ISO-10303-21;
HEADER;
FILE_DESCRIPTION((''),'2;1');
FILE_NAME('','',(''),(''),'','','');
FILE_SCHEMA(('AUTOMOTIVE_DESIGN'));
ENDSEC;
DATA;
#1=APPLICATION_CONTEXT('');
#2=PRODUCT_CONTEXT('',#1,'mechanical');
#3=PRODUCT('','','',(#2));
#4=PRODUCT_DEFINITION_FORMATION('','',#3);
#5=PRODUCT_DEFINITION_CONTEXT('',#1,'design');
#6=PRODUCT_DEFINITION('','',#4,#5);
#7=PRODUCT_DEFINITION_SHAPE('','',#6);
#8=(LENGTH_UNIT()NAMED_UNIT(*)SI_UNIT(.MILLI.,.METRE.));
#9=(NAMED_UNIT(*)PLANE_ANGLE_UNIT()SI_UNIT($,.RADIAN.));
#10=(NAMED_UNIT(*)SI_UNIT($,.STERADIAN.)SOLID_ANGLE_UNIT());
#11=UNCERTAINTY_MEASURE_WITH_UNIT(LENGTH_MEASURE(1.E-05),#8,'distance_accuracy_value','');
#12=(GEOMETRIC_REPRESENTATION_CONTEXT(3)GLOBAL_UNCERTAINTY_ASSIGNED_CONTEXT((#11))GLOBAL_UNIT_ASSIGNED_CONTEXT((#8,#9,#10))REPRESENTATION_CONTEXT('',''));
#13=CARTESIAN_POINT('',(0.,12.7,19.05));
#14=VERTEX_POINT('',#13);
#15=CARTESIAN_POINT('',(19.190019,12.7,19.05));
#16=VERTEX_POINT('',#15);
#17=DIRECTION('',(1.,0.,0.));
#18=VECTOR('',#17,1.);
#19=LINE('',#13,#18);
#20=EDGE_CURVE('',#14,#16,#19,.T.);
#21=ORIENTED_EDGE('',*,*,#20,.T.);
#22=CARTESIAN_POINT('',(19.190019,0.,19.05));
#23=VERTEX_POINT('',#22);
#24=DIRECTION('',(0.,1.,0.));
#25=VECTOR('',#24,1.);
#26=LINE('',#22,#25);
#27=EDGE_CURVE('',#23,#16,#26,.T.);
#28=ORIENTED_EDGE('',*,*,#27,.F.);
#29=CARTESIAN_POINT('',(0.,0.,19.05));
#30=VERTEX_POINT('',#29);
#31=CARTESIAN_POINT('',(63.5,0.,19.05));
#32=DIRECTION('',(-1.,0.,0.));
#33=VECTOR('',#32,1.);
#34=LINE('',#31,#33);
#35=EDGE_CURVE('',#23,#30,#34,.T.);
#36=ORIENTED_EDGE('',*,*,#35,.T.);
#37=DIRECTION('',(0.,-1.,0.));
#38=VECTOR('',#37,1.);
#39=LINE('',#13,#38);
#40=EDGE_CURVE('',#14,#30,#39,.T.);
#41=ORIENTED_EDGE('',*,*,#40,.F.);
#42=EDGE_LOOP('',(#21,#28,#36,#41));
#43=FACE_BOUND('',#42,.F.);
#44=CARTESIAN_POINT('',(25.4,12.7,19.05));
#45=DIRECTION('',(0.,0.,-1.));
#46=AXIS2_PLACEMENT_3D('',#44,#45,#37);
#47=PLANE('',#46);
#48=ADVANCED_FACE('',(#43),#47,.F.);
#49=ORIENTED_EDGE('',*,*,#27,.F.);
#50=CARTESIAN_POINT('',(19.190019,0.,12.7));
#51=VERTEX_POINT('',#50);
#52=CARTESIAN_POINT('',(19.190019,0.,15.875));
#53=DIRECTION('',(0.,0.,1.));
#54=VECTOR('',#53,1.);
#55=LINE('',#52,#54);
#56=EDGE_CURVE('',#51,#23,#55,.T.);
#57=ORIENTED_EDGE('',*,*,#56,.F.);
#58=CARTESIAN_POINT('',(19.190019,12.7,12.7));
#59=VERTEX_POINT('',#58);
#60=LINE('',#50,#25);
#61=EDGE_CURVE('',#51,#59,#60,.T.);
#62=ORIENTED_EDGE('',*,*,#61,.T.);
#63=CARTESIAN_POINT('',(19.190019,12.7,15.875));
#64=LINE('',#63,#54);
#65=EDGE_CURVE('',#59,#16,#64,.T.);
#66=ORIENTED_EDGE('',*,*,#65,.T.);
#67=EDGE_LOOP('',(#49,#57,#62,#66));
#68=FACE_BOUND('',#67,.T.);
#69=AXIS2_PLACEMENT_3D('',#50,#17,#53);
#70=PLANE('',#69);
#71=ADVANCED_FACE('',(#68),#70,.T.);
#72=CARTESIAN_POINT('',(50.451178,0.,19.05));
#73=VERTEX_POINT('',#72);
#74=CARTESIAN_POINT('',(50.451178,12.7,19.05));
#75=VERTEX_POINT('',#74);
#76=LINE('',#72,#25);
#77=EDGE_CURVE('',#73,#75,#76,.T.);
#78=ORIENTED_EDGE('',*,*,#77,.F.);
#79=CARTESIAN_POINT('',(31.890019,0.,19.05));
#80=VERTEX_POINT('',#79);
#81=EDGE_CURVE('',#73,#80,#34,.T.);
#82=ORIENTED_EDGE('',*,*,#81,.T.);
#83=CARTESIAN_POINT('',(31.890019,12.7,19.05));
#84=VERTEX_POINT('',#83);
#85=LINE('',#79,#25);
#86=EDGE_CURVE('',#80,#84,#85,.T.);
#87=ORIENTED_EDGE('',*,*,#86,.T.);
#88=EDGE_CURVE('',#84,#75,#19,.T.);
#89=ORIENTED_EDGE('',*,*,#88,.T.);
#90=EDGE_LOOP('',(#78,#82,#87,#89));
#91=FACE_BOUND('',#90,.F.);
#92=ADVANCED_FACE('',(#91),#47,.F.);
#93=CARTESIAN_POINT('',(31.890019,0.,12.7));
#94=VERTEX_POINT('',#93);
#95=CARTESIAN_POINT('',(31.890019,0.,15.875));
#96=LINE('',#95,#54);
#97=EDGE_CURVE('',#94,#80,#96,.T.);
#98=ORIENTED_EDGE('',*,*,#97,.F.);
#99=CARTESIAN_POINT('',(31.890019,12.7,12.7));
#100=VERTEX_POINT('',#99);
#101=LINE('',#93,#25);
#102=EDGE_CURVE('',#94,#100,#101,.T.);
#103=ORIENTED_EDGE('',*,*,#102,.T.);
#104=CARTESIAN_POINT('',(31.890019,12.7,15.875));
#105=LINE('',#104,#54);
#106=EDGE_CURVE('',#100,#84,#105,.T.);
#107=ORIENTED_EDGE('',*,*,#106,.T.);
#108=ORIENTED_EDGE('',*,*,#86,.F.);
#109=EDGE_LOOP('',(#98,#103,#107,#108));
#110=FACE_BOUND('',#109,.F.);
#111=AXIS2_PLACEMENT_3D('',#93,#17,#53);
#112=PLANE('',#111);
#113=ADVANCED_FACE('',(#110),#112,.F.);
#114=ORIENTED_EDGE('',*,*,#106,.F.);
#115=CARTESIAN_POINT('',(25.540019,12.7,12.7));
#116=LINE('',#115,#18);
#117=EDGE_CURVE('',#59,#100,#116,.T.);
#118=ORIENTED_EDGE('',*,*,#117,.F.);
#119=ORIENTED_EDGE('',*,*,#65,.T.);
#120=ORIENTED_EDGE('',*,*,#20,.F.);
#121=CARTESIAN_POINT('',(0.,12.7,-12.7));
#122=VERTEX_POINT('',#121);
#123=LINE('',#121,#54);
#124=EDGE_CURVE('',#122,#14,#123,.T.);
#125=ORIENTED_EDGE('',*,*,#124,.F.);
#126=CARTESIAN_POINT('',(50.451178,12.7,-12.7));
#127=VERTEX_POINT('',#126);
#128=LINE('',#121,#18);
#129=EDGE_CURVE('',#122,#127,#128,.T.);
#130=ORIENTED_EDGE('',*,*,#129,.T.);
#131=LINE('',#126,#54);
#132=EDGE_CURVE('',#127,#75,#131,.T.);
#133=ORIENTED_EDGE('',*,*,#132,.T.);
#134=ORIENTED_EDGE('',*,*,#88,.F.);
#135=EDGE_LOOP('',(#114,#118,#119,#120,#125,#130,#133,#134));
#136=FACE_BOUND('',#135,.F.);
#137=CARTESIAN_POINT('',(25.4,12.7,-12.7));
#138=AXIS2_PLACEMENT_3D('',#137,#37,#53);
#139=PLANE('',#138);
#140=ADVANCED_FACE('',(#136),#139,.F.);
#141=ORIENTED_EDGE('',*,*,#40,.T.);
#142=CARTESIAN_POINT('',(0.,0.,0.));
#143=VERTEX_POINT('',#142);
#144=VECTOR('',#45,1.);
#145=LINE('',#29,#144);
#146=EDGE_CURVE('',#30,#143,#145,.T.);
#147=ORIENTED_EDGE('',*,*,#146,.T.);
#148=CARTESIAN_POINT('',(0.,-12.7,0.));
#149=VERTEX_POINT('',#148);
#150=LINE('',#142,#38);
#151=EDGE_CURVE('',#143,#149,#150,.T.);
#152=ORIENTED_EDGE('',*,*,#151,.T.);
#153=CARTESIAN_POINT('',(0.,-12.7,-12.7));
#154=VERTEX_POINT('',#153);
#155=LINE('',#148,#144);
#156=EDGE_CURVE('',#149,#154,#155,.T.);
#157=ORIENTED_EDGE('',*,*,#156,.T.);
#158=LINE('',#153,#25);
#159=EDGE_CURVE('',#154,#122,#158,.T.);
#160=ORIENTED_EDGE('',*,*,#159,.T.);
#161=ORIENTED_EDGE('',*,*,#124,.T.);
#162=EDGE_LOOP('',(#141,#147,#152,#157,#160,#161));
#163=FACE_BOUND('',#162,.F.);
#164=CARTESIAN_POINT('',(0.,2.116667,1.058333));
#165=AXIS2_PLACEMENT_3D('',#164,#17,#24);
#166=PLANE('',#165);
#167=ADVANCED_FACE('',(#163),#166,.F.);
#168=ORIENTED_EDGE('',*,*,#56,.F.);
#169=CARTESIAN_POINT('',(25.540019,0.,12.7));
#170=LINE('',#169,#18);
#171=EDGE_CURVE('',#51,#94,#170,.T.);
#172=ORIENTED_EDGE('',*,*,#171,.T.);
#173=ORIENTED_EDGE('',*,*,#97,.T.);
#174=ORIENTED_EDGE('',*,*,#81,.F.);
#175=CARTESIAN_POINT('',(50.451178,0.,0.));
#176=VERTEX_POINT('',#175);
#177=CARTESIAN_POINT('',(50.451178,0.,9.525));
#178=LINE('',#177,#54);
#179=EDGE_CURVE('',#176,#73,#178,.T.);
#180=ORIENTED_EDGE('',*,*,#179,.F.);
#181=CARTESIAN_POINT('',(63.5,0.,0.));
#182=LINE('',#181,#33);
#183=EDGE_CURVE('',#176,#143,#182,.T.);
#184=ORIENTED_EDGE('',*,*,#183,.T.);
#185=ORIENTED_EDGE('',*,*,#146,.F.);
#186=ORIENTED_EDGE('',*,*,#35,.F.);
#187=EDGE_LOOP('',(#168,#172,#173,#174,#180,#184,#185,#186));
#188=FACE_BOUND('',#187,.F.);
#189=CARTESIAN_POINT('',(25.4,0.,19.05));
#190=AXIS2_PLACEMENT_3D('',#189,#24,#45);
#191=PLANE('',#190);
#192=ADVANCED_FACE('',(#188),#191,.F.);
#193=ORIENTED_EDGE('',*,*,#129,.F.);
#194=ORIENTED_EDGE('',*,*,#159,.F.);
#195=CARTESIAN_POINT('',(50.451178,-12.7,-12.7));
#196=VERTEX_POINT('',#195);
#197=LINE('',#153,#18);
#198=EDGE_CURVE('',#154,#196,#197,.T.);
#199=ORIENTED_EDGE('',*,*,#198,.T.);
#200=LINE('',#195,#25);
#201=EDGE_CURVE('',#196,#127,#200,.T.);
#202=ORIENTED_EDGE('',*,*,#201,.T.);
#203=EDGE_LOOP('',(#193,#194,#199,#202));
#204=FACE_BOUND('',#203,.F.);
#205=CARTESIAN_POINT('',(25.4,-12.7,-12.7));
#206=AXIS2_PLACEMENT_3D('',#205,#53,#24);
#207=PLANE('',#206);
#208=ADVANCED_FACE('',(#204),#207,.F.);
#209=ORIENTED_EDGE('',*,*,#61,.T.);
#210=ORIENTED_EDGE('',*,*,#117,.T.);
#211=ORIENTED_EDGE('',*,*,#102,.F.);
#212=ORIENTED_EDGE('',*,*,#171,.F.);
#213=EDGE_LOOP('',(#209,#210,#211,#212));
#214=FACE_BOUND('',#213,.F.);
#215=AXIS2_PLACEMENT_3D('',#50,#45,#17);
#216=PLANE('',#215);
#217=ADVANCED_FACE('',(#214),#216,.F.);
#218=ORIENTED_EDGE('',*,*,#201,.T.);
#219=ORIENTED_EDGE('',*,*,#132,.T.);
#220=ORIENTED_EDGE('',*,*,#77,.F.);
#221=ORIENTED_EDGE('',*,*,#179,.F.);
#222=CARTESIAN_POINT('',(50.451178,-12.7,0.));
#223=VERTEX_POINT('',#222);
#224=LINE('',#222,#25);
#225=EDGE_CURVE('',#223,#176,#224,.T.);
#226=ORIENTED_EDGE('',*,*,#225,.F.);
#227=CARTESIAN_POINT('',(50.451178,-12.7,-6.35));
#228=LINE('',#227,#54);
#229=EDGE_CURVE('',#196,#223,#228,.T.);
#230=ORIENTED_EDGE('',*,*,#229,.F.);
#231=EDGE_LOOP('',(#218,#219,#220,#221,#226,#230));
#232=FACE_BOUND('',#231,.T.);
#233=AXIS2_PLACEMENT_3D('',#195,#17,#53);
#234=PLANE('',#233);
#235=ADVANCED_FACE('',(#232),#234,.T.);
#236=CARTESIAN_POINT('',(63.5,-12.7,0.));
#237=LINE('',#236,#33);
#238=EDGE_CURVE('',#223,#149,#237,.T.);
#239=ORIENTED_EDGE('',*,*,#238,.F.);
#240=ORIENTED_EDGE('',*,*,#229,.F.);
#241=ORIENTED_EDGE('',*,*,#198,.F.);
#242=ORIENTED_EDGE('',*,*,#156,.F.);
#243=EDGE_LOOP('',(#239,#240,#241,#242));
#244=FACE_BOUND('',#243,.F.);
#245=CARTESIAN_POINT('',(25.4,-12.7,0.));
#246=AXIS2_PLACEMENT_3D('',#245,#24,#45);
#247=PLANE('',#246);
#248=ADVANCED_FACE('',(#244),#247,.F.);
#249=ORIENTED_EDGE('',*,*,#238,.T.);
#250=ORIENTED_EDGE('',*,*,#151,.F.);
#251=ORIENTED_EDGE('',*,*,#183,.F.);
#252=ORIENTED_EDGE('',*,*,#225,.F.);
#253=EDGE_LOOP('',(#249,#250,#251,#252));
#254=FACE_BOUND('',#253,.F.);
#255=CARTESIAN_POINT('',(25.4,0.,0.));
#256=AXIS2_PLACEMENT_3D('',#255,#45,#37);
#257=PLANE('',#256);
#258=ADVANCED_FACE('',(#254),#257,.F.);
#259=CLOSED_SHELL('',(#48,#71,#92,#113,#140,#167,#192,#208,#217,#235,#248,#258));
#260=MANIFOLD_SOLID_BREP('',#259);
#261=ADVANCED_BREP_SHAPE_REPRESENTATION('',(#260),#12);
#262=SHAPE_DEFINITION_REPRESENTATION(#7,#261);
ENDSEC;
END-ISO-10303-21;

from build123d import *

# Parameters (mm, degrees)
F1_DEPTH = 25.4
F2_DEPTH = 38.1
F3_W     = 12.7
F3_H     = 6.35
F4_DEPTH = 12.7
F5_W     = 13.048822
F5_H     = 19.05
F6_DEPTH = 25.4
F7_W     = 13.048822
F7_H     = 12.7
F8_DEPTH = 25.4


with BuildPart() as f1:
    # F0 (on Right) → F1 (new body)
    with BuildSketch(Plane.YZ):
        Polygon((-12.7, 0), (-12.7, -12.7), (12.7, -12.7), (12.7, 19.05), (0, 19.05), (0, 0), align=None)
    extrude(amount=F1_DEPTH)

    # F1_face (on face) → F2 (join)
    with BuildSketch(Plane(origin=(25.4, 2.721429, 0.453571), x_dir=(0, 1, 0), z_dir=(1, 0, 0))):
        Polygon((-15.421429, -0.453571), (-15.421429, -13.153571), (9.978571, -13.153571), (9.978571, 18.596429), (-2.721429, 18.596429), (-2.721429, -0.453571), align=None)
    extrude(amount=F2_DEPTH)

    # F3 (on face) → F4 (cut)
    with BuildSketch(Plane.XZ):
        with Locations((25.540019, 15.875)):
            Rectangle(F3_W, F3_H)
    extrude(amount=-F4_DEPTH, mode=Mode.SUBTRACT)

    # F5 (on face) → F6 (cut)
    with BuildSketch(Plane.XZ):
        with Locations((56.975589, 9.525)):
            Rectangle(F5_W, F5_H)
    extrude(amount=-F6_DEPTH, mode=Mode.SUBTRACT)

    # F7 (on face) → F8 (cut)
    with BuildSketch(Plane.XZ.offset(12.7)):
        with Locations((56.975589, -6.35)):
            Rectangle(F7_W, F7_H)
    extrude(amount=-F8_DEPTH, mode=Mode.SUBTRACT)


solid = f1.part
